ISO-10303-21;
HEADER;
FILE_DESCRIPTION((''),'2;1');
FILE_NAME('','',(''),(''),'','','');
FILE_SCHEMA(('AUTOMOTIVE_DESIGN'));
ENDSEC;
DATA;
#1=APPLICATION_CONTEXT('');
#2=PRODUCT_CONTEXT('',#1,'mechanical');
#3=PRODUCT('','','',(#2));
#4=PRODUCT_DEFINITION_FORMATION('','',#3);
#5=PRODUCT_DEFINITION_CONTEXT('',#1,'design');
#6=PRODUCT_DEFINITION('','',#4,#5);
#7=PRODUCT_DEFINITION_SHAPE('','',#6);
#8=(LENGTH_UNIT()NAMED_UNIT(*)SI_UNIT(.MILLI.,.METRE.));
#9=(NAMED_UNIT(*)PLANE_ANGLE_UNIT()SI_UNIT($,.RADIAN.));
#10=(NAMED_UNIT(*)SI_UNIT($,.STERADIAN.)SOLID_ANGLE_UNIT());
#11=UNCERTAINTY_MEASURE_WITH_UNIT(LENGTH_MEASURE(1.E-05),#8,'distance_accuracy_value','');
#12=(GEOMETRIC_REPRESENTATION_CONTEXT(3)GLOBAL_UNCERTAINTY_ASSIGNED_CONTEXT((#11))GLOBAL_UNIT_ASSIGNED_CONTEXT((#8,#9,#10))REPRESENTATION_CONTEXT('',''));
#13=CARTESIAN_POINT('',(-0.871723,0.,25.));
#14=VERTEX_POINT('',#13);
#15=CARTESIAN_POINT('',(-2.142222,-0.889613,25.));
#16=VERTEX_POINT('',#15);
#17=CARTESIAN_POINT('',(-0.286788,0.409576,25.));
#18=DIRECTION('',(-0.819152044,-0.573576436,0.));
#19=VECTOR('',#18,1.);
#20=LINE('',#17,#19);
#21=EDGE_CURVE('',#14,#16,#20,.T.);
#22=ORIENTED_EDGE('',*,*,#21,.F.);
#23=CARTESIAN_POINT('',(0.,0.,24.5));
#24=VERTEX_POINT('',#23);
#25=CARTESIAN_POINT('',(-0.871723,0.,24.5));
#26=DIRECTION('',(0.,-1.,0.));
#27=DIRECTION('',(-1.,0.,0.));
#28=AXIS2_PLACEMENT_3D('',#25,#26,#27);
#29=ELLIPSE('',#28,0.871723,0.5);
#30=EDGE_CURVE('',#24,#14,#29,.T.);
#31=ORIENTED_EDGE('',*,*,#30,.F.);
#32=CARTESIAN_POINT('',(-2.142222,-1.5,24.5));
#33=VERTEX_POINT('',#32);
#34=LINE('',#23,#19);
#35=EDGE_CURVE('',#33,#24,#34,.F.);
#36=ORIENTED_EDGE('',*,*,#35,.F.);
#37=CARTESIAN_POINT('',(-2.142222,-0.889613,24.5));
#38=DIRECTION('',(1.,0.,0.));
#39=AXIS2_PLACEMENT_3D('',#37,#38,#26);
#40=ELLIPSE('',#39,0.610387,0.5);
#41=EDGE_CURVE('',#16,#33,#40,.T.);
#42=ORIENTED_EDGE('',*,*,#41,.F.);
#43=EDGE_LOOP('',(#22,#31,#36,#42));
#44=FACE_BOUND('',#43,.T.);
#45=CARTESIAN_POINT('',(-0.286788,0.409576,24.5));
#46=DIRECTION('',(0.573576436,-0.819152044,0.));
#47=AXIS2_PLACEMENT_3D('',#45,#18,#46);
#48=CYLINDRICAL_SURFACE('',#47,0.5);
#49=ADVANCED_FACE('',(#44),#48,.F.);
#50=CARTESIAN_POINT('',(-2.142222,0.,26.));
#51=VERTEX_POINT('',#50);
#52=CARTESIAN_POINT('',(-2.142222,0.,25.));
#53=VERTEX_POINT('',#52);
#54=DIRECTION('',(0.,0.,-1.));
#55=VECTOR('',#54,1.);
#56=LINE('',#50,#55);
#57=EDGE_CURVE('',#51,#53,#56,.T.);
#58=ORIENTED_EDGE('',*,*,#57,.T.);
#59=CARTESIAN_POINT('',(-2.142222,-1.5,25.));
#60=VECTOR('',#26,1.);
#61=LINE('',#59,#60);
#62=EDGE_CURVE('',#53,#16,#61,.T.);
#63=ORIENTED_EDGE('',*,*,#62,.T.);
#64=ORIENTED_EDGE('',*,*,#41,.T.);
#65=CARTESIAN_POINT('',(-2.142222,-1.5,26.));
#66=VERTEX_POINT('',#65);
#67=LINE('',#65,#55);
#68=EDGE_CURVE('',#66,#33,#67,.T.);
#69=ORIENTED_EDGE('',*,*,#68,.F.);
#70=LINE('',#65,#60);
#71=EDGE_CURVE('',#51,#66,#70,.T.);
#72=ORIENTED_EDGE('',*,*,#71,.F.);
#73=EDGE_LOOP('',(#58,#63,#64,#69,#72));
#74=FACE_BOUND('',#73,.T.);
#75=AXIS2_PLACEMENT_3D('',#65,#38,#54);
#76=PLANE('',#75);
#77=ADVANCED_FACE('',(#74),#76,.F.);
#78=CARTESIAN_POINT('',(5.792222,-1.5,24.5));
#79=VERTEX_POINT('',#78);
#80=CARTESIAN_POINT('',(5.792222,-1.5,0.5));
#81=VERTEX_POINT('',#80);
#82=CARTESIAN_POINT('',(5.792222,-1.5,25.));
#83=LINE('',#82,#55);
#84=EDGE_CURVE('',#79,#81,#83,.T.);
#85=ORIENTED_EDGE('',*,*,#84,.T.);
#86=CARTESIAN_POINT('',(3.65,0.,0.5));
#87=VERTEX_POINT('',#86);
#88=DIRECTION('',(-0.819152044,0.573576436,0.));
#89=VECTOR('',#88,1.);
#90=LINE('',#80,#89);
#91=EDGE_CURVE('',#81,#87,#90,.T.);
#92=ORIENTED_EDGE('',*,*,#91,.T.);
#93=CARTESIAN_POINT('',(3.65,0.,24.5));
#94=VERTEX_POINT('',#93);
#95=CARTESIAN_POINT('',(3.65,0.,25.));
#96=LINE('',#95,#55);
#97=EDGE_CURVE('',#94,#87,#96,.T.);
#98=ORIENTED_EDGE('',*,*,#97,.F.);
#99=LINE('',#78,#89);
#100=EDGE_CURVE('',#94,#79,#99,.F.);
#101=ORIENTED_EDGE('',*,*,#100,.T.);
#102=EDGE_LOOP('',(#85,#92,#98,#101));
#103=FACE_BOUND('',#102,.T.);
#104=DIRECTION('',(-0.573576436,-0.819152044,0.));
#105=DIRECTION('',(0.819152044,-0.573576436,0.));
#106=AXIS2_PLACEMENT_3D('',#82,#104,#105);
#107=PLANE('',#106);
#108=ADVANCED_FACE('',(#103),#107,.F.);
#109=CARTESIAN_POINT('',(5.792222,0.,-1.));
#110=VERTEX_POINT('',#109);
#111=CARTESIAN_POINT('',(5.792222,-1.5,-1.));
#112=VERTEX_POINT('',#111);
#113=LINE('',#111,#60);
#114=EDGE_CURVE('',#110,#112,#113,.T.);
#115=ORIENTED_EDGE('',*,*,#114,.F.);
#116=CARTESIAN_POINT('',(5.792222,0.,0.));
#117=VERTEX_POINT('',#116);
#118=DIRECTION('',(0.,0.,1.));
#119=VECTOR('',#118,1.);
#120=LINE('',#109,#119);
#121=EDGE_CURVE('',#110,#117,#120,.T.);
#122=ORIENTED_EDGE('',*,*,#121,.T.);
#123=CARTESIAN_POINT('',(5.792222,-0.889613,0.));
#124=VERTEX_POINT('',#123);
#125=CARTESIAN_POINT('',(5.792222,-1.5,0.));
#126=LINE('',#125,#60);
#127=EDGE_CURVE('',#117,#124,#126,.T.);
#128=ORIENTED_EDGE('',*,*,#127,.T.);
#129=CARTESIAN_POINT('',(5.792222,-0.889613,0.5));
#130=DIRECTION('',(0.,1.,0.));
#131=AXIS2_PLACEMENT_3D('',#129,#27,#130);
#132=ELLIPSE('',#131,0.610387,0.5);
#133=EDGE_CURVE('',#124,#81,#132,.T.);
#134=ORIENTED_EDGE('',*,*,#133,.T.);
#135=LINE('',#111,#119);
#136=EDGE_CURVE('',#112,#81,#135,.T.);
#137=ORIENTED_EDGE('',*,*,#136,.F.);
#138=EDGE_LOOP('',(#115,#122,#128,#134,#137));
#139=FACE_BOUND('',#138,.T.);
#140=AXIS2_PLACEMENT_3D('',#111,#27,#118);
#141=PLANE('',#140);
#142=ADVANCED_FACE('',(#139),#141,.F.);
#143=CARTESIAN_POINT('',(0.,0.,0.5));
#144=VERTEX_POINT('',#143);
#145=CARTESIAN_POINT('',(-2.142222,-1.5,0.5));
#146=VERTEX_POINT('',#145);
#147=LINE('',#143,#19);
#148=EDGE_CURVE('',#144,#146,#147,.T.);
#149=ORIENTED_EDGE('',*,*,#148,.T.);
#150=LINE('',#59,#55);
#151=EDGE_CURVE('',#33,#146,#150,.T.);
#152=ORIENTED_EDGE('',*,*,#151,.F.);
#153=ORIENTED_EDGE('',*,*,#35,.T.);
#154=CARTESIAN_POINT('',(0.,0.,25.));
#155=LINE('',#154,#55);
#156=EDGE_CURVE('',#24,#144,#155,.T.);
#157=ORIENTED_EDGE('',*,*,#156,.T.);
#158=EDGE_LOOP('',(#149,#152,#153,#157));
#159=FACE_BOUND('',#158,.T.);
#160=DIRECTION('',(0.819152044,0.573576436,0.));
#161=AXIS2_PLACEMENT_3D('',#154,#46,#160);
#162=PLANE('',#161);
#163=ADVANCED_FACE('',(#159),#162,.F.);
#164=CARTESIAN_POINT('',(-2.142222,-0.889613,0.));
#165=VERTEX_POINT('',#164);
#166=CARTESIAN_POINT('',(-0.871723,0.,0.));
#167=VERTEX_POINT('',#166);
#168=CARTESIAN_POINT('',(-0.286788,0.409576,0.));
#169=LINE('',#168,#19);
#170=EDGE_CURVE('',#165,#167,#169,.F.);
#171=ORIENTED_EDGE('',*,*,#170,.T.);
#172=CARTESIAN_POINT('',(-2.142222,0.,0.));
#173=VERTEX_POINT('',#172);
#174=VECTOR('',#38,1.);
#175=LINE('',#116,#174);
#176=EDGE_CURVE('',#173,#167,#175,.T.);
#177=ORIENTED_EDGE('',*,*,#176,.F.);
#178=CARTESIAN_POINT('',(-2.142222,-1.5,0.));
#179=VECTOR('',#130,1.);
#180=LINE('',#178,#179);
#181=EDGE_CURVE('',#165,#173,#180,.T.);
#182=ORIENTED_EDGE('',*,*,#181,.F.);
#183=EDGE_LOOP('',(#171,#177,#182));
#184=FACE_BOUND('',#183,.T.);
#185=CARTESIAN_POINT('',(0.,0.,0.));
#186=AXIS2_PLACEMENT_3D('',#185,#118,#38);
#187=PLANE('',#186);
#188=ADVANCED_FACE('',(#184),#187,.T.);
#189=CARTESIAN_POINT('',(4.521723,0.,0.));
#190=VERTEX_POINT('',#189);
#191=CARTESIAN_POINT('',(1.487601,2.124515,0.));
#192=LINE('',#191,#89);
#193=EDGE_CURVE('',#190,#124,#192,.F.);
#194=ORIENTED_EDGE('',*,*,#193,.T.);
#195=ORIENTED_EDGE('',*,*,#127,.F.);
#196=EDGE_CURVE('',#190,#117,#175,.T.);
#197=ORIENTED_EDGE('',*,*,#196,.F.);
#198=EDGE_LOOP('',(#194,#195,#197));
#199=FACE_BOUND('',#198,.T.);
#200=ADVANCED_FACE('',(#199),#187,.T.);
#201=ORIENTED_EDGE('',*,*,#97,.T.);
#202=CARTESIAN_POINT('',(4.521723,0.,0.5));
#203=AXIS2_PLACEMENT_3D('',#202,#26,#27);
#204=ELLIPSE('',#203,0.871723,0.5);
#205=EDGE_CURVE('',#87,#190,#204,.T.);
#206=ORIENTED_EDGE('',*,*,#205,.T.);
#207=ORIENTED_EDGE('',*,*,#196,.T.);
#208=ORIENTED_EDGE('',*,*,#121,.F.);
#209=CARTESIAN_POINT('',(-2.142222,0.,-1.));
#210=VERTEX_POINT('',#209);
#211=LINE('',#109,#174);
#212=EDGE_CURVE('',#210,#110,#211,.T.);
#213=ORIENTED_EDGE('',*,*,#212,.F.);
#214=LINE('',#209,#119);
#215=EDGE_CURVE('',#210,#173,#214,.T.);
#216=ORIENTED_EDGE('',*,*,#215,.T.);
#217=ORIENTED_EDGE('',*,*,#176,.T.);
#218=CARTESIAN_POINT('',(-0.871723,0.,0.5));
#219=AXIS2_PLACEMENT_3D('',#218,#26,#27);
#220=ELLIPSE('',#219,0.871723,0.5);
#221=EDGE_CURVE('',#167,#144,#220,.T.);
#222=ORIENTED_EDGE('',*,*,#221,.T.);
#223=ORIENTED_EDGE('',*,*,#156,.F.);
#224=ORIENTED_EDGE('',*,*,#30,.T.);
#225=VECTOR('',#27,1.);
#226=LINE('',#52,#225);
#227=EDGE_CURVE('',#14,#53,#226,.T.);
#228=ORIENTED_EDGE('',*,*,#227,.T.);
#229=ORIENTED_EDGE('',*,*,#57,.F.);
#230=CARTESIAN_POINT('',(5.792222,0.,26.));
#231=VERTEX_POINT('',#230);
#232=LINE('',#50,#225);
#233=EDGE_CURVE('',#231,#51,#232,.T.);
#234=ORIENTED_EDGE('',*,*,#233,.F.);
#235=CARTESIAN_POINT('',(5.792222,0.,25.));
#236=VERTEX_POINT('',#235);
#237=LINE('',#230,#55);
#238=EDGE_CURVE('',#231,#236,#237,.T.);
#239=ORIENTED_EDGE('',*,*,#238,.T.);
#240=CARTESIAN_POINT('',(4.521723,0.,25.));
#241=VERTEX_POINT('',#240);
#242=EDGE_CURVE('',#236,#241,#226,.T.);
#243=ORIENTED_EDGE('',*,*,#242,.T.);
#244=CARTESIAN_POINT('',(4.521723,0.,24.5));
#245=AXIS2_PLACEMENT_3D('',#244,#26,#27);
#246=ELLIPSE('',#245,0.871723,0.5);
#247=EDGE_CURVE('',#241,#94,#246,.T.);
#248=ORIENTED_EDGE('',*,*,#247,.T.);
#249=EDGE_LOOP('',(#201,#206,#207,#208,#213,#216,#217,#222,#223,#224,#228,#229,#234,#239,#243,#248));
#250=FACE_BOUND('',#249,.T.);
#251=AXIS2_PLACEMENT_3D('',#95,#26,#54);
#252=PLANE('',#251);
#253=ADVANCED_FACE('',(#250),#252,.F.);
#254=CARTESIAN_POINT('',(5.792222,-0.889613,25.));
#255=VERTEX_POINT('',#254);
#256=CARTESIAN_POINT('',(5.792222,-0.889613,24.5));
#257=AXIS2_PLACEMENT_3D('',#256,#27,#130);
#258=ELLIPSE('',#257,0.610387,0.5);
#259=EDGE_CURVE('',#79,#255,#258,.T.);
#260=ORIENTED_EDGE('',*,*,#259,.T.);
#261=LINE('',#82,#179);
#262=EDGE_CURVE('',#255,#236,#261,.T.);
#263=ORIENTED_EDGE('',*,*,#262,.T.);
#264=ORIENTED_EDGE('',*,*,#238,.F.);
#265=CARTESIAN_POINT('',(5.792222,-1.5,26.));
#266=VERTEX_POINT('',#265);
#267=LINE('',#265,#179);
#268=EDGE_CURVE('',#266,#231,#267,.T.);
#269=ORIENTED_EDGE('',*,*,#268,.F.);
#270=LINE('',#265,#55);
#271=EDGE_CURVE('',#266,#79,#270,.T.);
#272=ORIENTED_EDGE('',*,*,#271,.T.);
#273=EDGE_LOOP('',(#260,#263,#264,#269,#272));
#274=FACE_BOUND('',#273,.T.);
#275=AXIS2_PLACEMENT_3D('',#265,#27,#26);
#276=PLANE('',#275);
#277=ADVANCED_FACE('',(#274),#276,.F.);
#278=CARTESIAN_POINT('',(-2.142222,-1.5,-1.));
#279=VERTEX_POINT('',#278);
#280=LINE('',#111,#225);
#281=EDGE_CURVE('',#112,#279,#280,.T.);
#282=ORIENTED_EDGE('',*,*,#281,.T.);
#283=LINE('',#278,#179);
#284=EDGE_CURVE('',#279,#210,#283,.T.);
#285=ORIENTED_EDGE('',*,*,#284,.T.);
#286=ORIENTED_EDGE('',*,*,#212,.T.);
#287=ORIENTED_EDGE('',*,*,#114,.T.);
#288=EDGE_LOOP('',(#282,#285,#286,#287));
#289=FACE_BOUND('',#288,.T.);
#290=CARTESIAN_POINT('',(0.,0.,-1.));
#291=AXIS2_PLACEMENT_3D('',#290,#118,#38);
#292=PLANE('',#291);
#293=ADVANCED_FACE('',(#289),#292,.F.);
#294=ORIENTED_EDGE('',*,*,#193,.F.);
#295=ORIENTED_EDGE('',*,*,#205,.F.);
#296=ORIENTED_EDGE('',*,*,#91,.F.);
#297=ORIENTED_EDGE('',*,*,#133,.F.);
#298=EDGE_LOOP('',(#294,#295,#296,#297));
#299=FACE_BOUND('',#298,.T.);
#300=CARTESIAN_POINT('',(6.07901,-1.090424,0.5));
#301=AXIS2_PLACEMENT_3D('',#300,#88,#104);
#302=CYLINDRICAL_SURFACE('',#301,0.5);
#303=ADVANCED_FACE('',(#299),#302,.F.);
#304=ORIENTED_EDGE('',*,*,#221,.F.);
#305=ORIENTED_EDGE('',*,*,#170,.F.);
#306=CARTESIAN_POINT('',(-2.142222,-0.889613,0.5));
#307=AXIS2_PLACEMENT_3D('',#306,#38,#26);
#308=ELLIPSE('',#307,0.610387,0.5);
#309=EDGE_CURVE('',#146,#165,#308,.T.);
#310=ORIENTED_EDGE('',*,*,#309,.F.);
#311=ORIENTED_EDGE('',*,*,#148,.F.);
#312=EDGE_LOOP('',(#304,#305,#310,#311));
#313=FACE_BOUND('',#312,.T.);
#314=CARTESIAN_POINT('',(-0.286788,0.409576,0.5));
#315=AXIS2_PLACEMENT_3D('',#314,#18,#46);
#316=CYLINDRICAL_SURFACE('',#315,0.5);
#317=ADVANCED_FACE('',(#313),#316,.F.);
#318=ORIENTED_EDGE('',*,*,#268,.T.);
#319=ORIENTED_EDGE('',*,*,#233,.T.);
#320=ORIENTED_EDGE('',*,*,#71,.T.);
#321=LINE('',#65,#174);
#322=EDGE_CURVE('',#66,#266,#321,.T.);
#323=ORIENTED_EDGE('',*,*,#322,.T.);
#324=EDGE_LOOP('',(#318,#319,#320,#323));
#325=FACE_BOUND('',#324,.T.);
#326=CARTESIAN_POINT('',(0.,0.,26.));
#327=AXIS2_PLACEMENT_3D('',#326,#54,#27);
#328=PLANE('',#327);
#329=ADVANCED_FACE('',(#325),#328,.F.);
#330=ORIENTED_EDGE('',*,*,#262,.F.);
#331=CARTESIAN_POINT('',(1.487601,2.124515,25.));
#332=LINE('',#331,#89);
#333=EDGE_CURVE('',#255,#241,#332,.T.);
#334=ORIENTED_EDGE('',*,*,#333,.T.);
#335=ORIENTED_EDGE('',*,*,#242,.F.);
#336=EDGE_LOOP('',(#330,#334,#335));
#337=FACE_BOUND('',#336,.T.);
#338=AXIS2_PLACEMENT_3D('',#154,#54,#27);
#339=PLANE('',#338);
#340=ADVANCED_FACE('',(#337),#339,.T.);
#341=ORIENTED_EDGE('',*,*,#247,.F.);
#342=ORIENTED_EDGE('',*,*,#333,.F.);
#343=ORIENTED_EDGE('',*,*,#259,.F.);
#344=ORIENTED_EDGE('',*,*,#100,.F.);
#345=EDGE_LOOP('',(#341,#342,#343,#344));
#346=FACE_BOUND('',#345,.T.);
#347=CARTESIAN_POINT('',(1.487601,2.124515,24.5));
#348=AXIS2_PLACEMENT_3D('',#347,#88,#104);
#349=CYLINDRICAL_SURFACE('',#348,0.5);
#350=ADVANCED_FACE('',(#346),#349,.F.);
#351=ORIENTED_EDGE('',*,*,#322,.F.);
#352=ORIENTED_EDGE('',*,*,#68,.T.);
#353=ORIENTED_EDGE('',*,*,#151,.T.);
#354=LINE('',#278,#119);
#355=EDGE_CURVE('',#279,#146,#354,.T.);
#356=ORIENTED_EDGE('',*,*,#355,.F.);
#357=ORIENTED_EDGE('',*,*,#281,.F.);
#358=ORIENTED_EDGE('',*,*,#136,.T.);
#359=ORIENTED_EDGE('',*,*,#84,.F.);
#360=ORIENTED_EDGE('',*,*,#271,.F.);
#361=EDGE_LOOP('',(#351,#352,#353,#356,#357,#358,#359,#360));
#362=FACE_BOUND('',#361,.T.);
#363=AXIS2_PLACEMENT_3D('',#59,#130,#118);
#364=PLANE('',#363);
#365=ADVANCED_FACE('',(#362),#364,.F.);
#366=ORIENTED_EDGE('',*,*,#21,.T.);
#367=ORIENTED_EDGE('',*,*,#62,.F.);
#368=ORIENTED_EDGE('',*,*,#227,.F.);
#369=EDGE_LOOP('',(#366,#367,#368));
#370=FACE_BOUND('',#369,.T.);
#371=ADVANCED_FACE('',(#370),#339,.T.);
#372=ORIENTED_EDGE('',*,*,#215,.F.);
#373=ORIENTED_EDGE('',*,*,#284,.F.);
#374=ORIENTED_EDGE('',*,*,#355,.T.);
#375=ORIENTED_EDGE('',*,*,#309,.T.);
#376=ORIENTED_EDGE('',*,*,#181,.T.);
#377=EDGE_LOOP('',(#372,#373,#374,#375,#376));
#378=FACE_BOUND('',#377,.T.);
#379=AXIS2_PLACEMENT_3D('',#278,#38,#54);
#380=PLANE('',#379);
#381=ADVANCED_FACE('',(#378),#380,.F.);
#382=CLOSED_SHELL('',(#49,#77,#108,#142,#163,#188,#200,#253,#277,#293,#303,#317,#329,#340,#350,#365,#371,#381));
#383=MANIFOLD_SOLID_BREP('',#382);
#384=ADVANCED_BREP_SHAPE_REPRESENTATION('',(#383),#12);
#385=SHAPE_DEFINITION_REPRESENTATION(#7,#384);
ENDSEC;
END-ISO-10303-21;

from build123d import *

# Parameters (mm, degrees)
BOSS_EXTRUDE1_DEPTH = 25
SKETCH2_W           = 7.93444402
SKETCH2_H           = 1.5
BOSS_EXTRUDE2_DEPTH = 1
SKETCH3_W           = 7.93444402
SKETCH3_H           = 1.5
BOSS_EXTRUDE3_DEPTH = 1
FILLET1_R           = 0.5


with BuildPart() as part:
    # Sketch1 → Boss-Extrude1 (new body)
    with BuildSketch(Plane.XY):
        Polygon((0, 0), (-2.14222201, -1.5), (5.79222201, -1.5), (3.65, 0), align=None)
    extrude(amount=BOSS_EXTRUDE1_DEPTH)

    # Sketch2 → Boss-Extrude2 (add)
    with BuildSketch(Plane.XY.offset(25)):
        with Locations((1.825, -0.75)):
            Rectangle(SKETCH2_W, SKETCH2_H)
    extrude(amount=BOSS_EXTRUDE2_DEPTH)

    # Sketch3 → Boss-Extrude3 (add)
    with BuildSketch(Plane(origin=(0, 0, 0), x_dir=(-1, 0, 0), z_dir=(0, 0, -1))):
        with Locations((-1.825, -0.75)):
            Rectangle(SKETCH3_W, SKETCH3_H)
    extrude(amount=BOSS_EXTRUDE3_DEPTH)

    # Fillet1
    fillet1_edges = [part.edges().sort_by_distance(p)[0] for p in [
        (4.721111005, -0.75, 25),
        (4.721111005, -0.75, 0),
        (-1.071111005, -0.75, 0),
        (-1.071111005, -0.75, 25),
    ]]
    fillet(fillet1_edges, radius=FILLET1_R)


solid = part.part
